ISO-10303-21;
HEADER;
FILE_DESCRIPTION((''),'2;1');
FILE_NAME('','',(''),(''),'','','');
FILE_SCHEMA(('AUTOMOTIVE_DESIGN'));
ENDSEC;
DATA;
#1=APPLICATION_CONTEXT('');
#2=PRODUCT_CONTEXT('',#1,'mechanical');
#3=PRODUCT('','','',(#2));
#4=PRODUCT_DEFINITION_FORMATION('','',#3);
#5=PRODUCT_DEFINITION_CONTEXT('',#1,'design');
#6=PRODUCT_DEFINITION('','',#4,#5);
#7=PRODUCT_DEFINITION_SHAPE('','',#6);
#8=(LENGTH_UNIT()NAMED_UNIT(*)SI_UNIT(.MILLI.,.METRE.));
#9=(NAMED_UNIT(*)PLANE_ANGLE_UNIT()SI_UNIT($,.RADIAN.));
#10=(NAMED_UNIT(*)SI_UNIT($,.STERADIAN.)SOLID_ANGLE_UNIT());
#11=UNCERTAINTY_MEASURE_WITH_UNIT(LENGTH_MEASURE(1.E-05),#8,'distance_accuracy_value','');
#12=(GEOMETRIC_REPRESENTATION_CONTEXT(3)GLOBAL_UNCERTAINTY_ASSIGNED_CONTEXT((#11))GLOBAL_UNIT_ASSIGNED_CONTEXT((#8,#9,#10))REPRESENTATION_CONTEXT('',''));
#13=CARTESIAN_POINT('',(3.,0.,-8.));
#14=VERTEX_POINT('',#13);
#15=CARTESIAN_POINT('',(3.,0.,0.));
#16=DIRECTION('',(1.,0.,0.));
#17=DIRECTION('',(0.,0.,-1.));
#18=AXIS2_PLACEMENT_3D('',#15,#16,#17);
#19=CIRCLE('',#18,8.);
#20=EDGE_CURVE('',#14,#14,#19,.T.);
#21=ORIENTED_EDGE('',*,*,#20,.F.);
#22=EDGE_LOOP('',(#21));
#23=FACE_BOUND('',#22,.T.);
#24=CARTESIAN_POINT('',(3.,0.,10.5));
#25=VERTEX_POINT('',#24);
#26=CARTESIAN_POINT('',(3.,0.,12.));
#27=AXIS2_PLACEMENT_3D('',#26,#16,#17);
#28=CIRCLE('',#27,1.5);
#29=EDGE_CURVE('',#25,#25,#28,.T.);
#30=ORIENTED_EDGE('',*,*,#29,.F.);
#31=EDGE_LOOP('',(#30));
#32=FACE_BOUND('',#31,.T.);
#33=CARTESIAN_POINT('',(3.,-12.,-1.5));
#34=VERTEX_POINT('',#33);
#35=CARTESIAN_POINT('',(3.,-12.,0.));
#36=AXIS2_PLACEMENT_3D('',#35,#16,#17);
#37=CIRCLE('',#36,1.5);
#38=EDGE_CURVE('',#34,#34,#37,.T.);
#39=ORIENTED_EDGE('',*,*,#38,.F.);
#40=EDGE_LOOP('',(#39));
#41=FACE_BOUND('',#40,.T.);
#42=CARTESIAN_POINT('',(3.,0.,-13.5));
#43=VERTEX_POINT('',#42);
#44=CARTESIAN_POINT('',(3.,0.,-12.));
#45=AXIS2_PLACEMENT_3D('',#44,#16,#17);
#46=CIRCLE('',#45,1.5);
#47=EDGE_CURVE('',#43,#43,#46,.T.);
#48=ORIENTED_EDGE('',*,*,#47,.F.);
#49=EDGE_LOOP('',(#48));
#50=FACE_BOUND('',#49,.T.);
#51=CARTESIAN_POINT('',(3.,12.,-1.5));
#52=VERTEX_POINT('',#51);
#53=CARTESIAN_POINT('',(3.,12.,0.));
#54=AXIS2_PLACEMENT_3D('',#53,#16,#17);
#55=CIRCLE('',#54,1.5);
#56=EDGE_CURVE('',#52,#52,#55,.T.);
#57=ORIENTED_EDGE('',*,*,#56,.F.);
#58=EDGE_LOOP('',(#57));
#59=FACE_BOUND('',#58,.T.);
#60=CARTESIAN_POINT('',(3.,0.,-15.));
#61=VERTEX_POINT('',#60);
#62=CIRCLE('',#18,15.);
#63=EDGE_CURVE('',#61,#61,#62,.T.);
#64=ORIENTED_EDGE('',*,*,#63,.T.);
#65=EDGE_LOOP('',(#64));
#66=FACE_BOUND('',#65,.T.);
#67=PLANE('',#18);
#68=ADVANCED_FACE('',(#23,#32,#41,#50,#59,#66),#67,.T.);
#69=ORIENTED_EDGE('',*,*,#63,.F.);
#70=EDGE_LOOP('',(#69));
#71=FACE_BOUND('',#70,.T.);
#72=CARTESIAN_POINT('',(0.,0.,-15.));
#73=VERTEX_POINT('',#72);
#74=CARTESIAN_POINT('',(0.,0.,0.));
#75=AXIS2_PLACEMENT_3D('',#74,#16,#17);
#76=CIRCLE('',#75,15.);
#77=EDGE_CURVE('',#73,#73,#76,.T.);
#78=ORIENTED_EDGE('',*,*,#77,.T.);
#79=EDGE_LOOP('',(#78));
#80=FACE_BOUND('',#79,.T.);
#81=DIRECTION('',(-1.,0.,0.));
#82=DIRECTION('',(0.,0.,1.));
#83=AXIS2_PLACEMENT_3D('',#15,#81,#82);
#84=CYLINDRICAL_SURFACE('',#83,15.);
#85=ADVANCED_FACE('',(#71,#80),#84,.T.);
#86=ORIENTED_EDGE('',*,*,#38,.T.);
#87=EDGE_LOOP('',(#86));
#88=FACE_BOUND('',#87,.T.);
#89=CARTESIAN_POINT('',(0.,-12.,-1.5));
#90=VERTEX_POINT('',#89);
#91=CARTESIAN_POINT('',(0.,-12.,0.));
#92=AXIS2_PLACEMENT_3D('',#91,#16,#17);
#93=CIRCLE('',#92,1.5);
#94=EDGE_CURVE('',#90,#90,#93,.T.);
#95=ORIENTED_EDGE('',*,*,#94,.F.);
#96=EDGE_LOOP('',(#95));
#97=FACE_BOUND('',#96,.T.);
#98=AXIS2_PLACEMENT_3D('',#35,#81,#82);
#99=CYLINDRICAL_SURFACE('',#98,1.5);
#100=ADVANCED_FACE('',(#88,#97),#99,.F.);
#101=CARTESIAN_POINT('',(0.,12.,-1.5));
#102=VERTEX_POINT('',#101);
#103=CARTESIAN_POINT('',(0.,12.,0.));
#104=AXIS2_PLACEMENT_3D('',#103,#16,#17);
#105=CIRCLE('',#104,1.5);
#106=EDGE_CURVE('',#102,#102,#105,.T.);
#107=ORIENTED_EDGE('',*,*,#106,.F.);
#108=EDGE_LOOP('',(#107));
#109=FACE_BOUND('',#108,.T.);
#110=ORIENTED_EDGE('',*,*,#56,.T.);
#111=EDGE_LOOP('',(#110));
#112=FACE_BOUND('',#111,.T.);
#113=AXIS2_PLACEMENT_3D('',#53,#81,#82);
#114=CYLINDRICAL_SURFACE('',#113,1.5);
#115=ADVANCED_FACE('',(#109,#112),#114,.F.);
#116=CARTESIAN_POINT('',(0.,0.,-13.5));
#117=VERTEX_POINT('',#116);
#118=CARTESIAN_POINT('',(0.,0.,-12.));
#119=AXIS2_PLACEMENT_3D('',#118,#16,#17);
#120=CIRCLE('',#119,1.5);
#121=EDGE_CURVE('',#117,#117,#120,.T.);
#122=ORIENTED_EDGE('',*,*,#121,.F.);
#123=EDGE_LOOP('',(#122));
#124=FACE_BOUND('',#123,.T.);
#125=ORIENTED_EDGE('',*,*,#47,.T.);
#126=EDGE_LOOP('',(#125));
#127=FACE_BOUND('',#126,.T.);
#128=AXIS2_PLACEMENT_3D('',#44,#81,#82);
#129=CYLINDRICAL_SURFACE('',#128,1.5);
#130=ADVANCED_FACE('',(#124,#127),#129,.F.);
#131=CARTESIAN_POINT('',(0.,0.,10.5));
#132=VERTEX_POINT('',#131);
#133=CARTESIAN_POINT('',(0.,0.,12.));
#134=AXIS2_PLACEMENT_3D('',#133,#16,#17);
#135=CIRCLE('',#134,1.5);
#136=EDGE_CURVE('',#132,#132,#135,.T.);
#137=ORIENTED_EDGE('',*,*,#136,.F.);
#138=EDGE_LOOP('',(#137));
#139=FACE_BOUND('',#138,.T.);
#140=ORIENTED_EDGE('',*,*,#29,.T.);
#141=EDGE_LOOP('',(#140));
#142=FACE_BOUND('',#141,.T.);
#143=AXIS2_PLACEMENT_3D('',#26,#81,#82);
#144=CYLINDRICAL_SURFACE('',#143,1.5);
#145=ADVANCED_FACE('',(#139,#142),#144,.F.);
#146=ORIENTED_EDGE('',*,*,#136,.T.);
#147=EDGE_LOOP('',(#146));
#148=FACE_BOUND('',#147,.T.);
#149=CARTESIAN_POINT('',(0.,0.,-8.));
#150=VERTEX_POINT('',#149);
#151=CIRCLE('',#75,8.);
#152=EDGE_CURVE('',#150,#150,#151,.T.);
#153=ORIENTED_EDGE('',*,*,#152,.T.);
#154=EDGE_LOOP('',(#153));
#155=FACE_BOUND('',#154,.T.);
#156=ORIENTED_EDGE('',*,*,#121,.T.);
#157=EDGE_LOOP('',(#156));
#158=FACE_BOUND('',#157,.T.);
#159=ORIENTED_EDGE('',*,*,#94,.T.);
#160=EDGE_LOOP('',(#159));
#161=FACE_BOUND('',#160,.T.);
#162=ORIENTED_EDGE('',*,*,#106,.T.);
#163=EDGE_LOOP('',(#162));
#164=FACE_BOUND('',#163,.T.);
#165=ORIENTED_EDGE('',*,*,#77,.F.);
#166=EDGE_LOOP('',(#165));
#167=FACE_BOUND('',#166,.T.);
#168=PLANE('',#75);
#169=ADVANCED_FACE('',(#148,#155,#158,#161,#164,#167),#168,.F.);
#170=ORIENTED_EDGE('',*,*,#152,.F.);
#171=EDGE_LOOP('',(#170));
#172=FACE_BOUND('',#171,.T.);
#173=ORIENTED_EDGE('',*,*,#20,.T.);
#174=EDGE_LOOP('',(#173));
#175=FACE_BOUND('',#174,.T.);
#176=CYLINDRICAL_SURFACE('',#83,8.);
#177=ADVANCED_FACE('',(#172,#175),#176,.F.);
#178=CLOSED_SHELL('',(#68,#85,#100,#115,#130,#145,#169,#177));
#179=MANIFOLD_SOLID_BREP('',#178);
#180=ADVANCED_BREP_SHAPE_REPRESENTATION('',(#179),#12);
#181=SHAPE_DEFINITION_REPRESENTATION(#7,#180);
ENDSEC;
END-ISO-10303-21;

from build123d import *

# Parameters (mm, degrees)
SKETCH1_R           = 15
SKETCH1_R_2         = 8
SKETCH1_R_3         = 1.5
BOSS_EXTRUDE1_DEPTH = 3


with BuildPart() as part:
    # Sketch1 → Boss-Extrude1 (new body)
    with BuildSketch(Plane(origin=(0, 0, 0), x_dir=(0, 0, -1), z_dir=(1, 0, 0))):
        Circle(SKETCH1_R)
        Circle(SKETCH1_R_2, mode=Mode.SUBTRACT)
        with Locations((0, 12)):
            Circle(SKETCH1_R_3, mode=Mode.SUBTRACT)
        with Locations((12, 0)):
            Circle(SKETCH1_R_3, mode=Mode.SUBTRACT)
        with Locations((0, -12)):
            Circle(SKETCH1_R_3, mode=Mode.SUBTRACT)
        with Locations((-12, 0)):
            Circle(SKETCH1_R_3, mode=Mode.SUBTRACT)
    extrude(amount=BOSS_EXTRUDE1_DEPTH)


solid = part.part
